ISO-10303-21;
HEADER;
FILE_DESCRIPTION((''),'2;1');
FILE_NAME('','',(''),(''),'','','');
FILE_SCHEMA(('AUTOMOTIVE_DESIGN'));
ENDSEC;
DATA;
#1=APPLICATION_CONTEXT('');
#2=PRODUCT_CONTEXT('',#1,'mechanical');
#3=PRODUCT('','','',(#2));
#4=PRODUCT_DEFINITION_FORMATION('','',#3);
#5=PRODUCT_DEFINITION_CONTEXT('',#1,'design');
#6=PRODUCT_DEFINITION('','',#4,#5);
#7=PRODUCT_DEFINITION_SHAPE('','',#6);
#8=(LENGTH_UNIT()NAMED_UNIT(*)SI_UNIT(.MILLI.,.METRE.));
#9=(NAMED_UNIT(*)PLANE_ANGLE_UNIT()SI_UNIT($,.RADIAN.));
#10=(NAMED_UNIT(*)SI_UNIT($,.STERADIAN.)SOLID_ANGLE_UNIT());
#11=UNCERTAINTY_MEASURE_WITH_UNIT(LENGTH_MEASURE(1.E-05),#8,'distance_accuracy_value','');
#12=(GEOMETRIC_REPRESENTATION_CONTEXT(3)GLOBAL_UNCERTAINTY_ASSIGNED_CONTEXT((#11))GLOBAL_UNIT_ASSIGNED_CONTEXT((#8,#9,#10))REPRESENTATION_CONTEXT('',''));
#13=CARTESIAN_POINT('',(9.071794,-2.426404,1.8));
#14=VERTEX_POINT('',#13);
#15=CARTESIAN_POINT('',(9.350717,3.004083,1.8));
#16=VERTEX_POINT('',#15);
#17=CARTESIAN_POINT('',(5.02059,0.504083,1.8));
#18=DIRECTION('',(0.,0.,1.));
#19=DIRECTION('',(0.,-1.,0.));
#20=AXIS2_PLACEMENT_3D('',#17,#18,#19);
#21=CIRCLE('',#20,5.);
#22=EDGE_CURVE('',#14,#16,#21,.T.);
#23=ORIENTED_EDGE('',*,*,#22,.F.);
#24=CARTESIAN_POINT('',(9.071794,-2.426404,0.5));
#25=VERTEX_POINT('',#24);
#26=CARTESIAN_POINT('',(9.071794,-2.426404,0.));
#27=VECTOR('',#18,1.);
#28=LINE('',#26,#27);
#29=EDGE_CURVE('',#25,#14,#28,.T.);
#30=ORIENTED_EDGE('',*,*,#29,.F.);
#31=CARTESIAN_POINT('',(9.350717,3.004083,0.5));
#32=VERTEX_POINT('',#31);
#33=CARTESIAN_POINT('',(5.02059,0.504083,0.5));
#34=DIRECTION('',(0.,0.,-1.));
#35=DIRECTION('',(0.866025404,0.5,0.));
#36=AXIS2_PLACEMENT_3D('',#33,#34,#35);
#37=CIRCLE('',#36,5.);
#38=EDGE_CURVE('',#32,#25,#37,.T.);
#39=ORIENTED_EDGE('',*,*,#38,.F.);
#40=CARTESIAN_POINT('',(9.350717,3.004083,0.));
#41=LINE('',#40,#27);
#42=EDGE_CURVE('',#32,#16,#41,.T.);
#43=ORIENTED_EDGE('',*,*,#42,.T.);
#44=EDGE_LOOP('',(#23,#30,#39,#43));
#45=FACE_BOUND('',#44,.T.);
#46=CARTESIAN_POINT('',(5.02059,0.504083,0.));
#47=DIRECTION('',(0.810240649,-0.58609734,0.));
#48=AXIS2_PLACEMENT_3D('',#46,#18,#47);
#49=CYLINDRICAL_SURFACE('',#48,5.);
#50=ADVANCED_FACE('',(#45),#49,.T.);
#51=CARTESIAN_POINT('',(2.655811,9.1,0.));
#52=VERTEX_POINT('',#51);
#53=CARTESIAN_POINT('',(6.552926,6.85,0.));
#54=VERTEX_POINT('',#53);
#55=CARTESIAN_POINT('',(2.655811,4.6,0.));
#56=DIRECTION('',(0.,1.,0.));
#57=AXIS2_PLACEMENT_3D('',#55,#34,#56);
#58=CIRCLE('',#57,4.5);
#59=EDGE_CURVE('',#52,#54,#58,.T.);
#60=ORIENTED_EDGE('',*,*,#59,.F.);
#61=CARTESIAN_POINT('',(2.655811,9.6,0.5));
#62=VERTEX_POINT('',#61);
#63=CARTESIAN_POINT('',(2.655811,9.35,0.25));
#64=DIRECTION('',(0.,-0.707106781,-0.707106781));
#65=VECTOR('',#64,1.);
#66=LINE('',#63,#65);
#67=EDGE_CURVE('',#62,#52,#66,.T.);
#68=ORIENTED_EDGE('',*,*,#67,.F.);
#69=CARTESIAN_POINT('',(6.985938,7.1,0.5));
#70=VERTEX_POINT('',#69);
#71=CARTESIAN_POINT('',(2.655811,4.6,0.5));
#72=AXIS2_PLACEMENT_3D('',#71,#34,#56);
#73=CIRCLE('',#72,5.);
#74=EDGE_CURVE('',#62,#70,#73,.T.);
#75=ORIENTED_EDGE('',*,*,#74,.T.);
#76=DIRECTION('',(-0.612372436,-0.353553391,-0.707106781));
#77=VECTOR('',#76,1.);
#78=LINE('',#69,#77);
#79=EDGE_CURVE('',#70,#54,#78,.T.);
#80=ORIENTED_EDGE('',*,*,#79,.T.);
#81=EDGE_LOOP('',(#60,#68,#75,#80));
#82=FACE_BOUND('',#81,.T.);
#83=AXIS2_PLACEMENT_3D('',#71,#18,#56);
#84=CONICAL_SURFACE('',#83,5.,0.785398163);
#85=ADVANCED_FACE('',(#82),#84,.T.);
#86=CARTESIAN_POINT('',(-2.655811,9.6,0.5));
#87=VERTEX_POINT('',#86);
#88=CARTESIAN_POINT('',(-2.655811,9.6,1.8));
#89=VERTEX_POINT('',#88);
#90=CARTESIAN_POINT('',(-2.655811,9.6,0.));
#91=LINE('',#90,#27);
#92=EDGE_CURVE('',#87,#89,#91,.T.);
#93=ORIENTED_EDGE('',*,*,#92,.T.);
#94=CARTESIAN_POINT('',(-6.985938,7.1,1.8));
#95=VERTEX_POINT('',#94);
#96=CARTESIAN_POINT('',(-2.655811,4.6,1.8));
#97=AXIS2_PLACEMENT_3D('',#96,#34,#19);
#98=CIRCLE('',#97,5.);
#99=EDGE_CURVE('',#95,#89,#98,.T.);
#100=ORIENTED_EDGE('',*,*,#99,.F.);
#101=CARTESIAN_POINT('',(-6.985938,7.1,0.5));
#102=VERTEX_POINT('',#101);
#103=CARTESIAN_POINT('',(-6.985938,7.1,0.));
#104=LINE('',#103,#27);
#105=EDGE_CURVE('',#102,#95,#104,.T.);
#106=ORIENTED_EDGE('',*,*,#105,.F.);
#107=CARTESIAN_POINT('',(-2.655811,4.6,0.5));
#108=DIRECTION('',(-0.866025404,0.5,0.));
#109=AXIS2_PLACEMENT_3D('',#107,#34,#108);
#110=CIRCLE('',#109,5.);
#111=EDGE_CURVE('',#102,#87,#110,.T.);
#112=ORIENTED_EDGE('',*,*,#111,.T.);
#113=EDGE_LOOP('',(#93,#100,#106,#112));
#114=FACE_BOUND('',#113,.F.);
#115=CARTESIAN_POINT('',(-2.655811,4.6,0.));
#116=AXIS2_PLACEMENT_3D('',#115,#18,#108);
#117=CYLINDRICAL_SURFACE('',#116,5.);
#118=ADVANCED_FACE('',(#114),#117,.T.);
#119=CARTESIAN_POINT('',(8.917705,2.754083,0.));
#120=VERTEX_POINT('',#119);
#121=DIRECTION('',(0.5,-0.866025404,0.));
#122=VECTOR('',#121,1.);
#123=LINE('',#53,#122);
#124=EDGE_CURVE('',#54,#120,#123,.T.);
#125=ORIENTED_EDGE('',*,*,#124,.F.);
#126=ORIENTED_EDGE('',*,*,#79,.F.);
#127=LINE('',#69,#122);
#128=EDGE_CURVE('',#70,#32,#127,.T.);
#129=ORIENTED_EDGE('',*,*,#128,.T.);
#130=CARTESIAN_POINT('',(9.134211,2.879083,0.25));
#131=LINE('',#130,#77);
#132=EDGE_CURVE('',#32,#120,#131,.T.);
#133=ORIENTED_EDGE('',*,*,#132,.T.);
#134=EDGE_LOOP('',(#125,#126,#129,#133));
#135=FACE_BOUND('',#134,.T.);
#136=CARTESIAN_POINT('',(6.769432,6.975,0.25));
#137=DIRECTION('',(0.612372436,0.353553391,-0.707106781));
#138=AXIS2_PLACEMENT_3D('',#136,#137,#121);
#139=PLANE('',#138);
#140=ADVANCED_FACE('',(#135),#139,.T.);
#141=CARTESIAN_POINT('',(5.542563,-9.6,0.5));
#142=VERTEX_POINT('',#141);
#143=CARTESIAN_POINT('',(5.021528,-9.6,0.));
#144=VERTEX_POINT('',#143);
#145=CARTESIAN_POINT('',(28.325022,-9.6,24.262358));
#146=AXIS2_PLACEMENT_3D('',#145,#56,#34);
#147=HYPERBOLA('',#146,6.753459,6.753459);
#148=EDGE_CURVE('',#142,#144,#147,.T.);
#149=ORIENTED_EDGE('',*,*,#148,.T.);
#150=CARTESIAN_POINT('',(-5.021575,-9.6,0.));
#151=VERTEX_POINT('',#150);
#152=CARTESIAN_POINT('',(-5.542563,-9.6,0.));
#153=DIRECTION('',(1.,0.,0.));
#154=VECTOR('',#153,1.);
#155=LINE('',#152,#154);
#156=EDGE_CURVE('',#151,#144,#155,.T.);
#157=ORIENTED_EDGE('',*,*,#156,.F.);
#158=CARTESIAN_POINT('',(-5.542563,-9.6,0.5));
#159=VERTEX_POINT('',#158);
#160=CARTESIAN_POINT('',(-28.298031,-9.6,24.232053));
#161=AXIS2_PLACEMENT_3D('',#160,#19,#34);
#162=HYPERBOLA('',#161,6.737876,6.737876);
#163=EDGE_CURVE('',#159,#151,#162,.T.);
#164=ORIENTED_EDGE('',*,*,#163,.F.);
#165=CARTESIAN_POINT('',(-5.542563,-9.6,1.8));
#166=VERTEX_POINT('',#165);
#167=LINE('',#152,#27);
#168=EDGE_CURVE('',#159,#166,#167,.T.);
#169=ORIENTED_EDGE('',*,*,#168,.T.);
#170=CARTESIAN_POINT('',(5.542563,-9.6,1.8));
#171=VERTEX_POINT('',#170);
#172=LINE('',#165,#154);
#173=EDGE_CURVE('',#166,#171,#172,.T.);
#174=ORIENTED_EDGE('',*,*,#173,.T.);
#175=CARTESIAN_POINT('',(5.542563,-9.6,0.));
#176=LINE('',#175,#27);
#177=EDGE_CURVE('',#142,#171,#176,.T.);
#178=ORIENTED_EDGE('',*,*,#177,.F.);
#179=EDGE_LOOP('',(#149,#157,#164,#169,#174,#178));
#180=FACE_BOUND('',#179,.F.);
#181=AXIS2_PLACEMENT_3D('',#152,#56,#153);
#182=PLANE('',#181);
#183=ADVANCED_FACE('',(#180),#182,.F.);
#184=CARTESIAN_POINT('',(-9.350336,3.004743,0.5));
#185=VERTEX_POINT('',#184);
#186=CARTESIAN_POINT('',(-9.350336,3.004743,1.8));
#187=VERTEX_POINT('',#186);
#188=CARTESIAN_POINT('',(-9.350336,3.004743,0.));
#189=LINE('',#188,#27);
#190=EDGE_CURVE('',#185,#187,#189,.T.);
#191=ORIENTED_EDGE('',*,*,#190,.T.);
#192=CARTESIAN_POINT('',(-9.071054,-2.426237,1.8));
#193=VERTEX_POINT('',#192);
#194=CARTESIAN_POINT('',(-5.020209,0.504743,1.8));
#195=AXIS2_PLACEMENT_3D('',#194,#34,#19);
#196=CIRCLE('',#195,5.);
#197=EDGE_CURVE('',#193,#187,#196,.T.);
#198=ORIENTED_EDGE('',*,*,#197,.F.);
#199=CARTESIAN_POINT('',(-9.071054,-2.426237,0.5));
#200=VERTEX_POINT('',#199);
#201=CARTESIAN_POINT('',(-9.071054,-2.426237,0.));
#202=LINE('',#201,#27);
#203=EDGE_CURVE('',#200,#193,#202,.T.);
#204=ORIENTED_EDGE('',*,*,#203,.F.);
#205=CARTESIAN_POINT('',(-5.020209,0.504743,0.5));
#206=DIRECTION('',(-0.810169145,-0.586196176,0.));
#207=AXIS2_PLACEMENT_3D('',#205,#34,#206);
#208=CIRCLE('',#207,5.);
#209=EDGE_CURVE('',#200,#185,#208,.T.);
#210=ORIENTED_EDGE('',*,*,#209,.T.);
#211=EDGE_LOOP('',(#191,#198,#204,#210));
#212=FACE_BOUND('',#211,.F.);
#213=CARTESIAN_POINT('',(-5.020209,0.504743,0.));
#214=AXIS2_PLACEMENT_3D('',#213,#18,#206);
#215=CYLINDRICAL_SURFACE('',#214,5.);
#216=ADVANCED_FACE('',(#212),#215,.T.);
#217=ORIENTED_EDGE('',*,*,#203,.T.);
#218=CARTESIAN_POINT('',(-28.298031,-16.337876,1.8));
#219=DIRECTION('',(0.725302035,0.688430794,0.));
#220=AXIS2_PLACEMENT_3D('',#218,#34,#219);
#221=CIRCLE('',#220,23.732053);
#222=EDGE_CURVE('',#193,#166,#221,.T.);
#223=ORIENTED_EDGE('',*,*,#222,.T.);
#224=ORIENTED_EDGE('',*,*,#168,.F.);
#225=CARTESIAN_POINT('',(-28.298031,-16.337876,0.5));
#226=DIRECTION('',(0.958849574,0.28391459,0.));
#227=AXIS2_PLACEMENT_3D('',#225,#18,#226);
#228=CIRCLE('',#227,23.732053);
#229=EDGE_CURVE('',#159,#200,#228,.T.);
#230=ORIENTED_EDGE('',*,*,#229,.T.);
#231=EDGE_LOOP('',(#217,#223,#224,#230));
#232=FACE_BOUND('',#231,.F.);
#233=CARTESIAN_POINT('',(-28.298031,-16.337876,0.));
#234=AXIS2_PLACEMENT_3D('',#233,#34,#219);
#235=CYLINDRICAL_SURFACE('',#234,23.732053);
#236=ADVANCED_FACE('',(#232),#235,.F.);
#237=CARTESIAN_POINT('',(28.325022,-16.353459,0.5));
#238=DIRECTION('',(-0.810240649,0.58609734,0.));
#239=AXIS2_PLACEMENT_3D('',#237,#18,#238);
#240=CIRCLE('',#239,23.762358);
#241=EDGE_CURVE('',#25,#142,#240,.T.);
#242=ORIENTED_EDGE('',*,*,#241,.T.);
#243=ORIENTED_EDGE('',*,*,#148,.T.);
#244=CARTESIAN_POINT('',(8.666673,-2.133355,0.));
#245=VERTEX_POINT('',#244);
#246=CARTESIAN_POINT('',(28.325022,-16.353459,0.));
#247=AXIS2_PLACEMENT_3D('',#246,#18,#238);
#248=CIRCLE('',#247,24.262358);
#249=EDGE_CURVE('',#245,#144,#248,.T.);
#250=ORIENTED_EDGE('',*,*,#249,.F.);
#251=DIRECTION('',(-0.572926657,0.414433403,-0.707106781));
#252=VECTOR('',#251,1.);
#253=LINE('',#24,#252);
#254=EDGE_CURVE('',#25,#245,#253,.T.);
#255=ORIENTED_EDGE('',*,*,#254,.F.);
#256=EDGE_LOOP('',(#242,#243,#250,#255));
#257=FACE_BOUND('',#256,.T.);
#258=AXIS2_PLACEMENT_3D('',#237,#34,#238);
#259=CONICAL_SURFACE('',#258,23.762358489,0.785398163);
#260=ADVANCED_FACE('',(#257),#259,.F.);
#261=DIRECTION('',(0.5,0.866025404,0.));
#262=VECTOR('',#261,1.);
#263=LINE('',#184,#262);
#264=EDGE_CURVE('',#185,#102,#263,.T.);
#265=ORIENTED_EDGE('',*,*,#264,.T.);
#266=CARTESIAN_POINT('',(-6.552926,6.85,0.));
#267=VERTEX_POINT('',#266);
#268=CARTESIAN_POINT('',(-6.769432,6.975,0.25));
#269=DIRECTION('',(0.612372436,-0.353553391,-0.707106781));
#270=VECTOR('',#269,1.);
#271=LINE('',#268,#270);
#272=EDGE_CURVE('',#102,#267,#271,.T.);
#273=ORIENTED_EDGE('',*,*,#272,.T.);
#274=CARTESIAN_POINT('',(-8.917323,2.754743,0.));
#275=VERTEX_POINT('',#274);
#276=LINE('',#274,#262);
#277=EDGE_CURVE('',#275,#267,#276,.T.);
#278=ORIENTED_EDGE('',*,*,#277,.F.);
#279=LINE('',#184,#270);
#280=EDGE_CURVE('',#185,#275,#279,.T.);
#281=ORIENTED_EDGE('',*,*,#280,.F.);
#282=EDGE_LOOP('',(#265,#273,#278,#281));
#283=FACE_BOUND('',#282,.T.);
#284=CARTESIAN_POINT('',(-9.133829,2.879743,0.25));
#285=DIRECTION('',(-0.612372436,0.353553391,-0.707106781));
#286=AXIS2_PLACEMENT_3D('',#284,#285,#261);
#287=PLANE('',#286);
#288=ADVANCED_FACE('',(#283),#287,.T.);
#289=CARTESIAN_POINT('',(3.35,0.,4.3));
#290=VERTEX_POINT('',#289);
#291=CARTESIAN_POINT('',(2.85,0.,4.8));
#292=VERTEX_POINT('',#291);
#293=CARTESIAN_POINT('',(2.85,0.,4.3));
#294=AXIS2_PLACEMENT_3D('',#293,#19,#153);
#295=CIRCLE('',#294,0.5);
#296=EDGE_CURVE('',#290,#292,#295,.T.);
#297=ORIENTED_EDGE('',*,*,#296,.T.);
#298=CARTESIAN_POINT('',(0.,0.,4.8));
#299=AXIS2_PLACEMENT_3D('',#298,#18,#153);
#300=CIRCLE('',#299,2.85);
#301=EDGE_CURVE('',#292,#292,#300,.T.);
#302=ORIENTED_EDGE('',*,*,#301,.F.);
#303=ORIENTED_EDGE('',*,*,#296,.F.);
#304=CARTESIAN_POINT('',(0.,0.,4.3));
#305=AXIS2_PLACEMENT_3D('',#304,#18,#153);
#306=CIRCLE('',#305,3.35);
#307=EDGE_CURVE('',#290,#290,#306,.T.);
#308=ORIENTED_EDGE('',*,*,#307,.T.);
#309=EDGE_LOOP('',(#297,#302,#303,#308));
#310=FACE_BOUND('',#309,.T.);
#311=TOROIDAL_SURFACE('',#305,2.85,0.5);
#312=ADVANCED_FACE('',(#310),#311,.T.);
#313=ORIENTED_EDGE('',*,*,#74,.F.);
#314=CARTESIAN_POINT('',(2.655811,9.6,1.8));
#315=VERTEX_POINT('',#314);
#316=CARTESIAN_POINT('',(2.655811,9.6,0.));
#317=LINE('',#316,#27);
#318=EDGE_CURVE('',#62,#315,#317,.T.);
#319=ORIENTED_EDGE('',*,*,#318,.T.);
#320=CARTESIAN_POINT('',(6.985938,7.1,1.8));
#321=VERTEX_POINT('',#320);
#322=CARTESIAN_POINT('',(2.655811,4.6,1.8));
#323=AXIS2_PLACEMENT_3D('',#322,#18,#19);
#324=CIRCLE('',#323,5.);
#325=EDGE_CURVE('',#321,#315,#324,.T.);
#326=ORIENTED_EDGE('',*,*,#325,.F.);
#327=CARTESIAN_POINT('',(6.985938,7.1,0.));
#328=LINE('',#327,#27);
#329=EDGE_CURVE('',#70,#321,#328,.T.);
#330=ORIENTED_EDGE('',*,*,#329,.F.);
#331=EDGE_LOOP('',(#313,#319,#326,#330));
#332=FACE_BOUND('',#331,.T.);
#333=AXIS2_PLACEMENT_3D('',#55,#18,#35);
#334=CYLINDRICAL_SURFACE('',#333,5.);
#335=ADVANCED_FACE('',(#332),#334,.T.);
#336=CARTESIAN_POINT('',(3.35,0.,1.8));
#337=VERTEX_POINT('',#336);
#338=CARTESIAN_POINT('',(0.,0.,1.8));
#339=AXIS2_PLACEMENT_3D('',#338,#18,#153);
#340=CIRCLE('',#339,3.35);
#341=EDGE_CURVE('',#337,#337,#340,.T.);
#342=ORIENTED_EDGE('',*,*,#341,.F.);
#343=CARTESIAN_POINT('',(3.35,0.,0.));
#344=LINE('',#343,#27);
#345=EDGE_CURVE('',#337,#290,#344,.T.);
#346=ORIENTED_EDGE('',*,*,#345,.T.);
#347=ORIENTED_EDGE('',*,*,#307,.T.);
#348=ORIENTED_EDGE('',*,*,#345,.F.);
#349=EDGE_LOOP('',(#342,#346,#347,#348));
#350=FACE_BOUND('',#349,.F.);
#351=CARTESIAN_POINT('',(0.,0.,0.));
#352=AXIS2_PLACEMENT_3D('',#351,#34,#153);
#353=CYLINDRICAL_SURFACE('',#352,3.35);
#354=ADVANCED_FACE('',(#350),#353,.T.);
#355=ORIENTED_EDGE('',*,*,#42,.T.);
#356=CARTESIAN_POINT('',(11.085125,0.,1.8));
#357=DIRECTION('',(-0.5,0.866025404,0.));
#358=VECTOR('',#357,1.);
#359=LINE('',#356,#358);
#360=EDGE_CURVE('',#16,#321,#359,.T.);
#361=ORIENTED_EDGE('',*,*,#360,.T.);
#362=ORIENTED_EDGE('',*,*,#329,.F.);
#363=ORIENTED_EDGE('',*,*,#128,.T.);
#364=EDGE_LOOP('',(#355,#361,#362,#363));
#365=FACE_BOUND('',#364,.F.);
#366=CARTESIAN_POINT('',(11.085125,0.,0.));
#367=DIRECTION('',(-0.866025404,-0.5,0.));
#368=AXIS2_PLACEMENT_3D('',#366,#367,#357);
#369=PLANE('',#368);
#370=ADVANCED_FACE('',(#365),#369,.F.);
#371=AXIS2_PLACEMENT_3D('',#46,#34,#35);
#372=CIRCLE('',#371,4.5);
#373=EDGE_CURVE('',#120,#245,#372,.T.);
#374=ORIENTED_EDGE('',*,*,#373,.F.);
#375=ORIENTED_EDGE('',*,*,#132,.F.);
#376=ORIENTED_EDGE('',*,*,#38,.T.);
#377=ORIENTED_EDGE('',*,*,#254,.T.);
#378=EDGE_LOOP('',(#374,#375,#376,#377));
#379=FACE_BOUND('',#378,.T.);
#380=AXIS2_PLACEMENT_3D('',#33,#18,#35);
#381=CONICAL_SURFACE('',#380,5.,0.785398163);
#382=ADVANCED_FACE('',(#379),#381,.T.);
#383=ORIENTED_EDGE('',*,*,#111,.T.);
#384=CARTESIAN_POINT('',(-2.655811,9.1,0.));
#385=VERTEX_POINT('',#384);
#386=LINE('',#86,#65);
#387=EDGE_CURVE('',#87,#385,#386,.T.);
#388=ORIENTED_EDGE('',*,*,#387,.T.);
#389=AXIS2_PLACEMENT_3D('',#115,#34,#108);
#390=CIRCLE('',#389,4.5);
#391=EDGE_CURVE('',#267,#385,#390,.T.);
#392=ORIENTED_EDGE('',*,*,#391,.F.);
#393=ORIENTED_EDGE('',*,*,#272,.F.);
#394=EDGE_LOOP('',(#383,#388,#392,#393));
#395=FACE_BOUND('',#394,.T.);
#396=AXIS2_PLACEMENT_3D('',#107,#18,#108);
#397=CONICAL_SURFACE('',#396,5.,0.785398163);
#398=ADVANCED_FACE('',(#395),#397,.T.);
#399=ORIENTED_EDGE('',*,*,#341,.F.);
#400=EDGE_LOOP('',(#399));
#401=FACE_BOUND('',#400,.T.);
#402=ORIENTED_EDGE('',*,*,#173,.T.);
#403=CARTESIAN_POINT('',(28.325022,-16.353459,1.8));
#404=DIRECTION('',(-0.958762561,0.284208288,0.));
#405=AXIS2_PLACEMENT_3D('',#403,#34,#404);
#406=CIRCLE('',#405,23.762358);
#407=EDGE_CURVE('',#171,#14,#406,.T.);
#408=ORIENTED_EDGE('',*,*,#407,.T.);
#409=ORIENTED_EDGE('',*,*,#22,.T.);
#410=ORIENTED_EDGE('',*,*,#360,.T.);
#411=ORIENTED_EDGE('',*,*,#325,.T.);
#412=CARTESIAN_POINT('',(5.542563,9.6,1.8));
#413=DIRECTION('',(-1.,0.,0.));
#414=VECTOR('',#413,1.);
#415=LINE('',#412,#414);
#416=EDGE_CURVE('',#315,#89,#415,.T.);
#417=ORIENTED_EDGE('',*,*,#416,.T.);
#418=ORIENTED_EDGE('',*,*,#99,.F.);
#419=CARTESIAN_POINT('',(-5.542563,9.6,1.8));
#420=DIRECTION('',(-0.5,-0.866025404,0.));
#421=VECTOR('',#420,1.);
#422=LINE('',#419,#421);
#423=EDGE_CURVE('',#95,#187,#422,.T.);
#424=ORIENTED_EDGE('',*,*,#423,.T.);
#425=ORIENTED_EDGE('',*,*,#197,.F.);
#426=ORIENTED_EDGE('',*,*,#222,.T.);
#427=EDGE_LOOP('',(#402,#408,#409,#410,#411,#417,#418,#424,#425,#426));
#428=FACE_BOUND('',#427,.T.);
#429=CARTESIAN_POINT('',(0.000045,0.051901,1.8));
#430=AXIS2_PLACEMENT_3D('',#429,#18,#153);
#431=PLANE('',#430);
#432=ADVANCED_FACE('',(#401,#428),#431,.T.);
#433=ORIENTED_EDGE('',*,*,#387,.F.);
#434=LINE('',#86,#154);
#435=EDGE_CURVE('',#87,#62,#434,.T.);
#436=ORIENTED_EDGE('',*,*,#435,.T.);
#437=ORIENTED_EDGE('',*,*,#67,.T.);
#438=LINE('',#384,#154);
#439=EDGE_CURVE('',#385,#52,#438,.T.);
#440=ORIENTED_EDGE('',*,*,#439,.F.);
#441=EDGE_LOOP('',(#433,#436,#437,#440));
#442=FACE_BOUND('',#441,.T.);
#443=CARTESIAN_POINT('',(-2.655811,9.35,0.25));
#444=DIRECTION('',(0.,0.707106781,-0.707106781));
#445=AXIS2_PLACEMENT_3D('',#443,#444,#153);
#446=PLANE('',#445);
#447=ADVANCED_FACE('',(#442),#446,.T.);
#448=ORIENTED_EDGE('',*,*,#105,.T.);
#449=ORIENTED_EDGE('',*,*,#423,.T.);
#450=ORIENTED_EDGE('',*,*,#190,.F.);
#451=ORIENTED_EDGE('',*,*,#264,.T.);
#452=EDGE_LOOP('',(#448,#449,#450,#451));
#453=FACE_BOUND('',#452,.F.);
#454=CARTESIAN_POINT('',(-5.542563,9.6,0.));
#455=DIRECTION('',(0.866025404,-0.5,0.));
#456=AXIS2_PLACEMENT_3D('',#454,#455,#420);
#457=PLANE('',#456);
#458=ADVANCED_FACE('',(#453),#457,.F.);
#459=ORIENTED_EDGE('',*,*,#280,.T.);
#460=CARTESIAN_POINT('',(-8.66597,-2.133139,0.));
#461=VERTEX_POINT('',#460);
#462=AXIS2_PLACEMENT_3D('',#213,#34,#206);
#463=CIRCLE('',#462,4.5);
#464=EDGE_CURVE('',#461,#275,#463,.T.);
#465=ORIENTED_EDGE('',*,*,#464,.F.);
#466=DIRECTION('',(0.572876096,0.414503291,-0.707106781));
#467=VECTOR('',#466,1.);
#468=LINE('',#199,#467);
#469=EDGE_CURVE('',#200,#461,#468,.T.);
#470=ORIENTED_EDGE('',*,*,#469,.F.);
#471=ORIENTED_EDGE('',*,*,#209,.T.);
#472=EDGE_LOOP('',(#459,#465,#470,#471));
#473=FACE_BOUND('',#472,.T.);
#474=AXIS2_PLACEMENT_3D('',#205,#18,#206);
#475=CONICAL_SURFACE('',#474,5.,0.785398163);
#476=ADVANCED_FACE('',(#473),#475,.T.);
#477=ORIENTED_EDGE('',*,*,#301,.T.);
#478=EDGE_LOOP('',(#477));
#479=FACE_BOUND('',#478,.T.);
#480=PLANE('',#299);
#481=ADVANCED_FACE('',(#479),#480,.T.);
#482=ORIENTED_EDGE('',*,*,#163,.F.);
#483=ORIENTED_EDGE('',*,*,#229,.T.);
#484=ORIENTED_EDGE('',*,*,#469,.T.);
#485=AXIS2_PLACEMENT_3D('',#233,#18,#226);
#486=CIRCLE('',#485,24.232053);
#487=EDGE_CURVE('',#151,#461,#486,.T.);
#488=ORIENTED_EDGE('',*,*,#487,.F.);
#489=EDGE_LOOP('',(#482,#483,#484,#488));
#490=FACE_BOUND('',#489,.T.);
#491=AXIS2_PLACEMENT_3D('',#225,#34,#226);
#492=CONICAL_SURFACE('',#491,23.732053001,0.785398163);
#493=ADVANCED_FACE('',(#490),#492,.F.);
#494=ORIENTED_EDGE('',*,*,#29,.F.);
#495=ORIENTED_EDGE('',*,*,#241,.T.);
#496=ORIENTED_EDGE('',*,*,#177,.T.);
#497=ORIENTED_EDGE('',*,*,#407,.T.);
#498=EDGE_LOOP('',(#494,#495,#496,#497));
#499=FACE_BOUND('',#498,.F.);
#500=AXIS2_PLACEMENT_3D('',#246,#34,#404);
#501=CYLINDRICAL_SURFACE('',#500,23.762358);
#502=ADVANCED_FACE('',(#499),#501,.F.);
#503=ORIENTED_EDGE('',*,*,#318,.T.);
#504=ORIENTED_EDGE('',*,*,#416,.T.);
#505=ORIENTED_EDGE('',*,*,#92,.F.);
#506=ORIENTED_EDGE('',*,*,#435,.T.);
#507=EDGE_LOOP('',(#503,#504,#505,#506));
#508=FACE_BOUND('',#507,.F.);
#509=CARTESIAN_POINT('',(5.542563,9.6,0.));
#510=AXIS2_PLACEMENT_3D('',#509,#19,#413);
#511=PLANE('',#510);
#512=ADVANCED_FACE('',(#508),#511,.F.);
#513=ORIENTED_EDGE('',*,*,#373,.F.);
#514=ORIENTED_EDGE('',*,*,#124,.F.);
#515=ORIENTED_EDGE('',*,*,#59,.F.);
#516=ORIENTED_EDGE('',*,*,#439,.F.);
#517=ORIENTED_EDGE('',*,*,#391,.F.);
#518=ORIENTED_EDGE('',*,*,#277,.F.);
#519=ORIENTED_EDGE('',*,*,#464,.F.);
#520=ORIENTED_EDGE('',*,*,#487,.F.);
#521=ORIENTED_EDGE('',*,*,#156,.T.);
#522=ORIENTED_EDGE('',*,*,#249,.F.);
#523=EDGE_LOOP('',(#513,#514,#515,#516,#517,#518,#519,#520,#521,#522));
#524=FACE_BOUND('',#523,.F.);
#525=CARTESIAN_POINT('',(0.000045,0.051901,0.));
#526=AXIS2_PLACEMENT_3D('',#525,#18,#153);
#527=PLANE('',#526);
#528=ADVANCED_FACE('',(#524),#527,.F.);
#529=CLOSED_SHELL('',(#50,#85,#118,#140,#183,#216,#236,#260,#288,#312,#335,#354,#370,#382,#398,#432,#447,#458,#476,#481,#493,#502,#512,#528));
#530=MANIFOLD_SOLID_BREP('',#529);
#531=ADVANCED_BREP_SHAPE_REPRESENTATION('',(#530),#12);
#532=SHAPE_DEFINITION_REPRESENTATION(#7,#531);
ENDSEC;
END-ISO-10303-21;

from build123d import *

# Parameters (mm, degrees)
F0_R     = 3.35
F1_DEPTH = 1.8
F2_R     = 5
F3_DEPTH = 4.8
F4_R     = 0.5
F5_SIZE  = 0.5


with BuildPart() as f1:
    # F0 (on Top) → F1 (new body)
    with BuildSketch(Plane.XY):
        with BuildLine():
            Line((-5.5425625842, -9.6), (5.5425625842, -9.6))
            ThreePointArc((5.5425625842, -9.6), (7.7462161651, -4.4722799881), (11.0851251684, 0))
            Line((11.0851251684, 0), (5.5425625842, 9.6))
            Line((5.5425625842, 9.6), (-5.5425625842, 9.6))
            Line((-5.5425625842, 9.6), (-11.0851251684, 0))
            ThreePointArc((-11.0851251684, 0), (-7.745470711, -4.4718496), (-5.5425625842, -9.6))
        make_face()
        Polygon((7.3900834456, 0), (3.6950417228, -6.4), (-3.6950417228, -6.4), (-7.3900834456, 0), (-3.6950417228, 6.4), (3.6950417228, 6.4), align=None, mode=Mode.SUBTRACT)
        Polygon((-3.6950417228, -6.4), (3.6950417228, -6.4), (7.3900834456, 0), (3.6950417228, 6.4), (-3.6950417228, 6.4), (-7.3900834456, 0), align=None)
        Circle(F0_R, mode=Mode.SUBTRACT)
    extrude(amount=F1_DEPTH)

    # F2
    f2_edges = [f1.edges().sort_by_distance(p)[0] for p in [
        (-11.085125, 0, 0.9),
        (-5.542563, 9.6, 0.9),
        (5.542563, 9.6, 0.9),
        (11.085125, 0, 0.9),
    ]]
    fillet(f2_edges, radius=F2_R)

    # F0 (on Top) → F3 (join)
    with BuildSketch(Plane.XY):
        Circle(F0_R)
    extrude(amount=F3_DEPTH)

    # F4
    f4_edges = [f1.edges().sort_by_distance(p)[0] for p in [
        (-3.35, 0, 4.8),
    ]]
    fillet(f4_edges, radius=F4_R)

    # F5
    f5_edges = [f1.edges().sort_by_distance(p)[0] for p in [
        (-5.155811, 8.930127, 0),
    ]]
    chamfer(f5_edges, length=F5_SIZE)


solid = f1.part
